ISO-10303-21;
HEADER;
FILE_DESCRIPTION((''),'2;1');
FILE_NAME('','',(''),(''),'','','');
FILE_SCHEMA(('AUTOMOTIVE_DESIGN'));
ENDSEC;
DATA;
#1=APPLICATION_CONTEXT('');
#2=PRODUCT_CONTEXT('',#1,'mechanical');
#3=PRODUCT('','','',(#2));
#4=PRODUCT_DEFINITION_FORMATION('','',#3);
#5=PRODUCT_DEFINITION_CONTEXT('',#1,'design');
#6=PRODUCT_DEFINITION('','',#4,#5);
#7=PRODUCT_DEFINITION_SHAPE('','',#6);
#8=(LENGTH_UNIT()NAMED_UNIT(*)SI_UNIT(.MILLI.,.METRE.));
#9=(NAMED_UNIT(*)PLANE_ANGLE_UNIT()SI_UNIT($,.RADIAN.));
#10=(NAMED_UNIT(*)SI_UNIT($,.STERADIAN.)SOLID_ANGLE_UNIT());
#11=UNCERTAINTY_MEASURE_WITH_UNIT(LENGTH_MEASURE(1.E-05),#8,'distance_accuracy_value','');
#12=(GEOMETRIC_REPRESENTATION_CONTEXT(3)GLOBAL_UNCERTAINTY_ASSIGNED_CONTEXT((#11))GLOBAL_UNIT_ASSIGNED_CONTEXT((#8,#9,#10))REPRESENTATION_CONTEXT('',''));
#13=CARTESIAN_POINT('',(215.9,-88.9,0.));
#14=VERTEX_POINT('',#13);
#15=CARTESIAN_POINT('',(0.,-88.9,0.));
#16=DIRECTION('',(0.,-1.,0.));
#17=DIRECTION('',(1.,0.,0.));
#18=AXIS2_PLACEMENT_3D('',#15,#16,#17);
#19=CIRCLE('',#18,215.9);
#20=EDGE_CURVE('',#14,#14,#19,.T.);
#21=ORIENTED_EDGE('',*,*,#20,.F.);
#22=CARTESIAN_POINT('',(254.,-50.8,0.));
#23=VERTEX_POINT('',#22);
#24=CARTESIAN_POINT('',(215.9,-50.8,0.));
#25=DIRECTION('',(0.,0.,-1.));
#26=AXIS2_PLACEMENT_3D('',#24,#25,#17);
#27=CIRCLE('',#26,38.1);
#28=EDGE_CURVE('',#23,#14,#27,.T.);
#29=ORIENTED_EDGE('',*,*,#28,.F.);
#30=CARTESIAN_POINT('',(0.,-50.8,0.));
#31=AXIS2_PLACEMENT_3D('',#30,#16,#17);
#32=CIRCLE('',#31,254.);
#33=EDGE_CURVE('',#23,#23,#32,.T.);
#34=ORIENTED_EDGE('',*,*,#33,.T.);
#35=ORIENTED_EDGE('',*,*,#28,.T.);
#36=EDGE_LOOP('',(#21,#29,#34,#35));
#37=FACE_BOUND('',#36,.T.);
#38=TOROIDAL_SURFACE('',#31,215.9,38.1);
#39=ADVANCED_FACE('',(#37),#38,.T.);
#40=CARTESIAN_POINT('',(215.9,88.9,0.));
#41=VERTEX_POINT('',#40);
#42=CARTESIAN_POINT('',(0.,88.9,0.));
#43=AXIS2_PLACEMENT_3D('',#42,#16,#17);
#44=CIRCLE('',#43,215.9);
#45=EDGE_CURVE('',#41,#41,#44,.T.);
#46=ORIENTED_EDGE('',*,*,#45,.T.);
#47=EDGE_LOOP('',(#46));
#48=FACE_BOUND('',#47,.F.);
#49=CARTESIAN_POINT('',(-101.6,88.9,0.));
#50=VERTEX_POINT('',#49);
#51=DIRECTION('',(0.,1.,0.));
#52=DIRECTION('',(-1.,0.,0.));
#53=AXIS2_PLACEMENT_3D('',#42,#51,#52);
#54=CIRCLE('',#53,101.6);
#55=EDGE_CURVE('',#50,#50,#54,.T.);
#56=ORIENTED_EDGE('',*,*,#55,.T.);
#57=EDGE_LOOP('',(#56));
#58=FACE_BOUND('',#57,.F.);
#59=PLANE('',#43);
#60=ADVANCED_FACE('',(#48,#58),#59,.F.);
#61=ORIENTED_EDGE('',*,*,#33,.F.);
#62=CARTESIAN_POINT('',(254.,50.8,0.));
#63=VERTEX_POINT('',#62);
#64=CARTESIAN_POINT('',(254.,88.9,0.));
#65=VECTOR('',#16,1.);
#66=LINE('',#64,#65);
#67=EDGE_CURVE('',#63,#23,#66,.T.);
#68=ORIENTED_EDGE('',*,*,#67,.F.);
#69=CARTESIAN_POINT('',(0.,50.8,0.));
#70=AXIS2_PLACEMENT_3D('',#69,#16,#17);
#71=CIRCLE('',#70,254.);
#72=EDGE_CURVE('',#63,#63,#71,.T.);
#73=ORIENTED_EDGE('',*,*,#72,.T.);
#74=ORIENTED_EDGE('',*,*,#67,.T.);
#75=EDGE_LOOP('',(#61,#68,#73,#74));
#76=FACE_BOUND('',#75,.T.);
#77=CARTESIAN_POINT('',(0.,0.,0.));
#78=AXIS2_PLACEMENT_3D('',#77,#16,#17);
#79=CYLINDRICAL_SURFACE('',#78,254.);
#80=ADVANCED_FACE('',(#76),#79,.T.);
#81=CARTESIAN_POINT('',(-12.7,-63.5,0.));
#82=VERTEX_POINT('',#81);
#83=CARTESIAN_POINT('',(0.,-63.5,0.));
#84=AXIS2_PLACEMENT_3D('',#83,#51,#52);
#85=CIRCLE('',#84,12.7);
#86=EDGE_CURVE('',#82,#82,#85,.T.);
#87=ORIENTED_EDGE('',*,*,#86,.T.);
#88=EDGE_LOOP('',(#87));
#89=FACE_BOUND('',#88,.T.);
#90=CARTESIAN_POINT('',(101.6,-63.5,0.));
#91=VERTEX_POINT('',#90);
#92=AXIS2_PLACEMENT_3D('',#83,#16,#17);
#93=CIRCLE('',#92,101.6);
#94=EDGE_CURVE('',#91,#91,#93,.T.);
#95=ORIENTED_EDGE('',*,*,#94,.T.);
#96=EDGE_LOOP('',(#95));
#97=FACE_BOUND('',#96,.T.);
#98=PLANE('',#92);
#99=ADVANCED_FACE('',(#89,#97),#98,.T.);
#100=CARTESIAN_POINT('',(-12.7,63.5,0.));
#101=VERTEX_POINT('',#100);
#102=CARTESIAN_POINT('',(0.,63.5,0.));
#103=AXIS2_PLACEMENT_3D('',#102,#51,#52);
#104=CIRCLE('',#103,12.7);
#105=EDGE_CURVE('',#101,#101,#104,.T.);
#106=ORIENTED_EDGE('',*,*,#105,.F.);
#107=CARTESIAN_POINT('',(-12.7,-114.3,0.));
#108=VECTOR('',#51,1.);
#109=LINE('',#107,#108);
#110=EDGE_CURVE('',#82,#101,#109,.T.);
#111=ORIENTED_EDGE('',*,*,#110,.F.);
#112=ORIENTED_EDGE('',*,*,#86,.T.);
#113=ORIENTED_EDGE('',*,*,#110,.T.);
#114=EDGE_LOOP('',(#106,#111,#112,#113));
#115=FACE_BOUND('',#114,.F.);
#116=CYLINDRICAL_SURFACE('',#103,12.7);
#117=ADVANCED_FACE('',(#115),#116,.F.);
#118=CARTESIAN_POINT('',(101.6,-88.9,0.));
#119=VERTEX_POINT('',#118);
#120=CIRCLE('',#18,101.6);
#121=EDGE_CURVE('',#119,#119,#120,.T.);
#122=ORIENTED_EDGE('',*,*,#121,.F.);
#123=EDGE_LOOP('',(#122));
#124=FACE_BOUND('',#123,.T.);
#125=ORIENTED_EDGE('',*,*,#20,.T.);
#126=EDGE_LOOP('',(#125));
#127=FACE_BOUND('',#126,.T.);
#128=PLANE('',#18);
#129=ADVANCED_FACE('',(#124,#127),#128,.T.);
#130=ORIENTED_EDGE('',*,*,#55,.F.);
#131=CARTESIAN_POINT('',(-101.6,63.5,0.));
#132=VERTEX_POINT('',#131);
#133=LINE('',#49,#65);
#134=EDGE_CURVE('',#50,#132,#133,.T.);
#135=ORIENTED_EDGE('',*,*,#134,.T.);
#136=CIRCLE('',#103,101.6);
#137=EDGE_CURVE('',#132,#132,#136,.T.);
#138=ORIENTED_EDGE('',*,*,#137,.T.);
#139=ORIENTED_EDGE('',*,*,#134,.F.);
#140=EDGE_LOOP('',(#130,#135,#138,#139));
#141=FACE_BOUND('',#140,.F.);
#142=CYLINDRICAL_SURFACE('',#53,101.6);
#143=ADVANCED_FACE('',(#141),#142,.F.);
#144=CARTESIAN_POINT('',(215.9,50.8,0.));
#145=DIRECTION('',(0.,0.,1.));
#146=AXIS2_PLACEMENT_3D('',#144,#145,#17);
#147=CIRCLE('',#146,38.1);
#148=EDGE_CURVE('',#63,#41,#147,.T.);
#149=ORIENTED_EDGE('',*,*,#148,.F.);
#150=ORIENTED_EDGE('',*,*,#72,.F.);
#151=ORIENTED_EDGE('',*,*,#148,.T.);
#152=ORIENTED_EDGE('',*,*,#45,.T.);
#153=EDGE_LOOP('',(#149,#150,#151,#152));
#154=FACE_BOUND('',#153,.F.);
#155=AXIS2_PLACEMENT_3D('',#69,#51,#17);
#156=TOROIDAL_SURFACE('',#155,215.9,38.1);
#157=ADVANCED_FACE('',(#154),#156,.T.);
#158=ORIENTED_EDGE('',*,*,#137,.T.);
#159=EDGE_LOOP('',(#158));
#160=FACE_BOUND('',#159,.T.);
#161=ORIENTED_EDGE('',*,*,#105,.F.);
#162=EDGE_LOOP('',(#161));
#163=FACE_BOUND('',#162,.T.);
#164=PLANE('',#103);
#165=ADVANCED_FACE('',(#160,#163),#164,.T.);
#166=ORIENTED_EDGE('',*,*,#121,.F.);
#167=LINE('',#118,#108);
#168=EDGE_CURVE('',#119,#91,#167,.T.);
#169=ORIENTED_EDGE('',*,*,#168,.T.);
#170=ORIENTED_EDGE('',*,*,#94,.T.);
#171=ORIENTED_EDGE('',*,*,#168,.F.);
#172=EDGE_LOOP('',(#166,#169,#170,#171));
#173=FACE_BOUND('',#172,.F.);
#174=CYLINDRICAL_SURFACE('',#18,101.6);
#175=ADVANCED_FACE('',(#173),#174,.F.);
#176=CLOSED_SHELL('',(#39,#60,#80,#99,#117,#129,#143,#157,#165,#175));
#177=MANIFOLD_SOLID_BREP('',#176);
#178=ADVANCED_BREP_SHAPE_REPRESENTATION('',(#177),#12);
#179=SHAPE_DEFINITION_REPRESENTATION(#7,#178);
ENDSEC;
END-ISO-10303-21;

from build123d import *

# Parameters (mm, degrees)
F0_R     = 254
F1_DEPTH = 88.9
F2_R     = 101.6
F3_DEPTH = 25.4
F4_R     = 101.6
F5_DEPTH = 25.4
F6_R     = 38.1
F7_R     = 12.7
F8_DEPTH = 177.8


with BuildPart() as f1:
    # F0 (on Front) → F1 (new body, symmetric)
    with BuildSketch(Plane.XZ):
        Circle(F0_R)
    extrude(amount=F1_DEPTH, both=True)

    # F2 (on face) → F3 (cut)
    with BuildSketch(Plane.XZ.offset(88.9)):
        Circle(F2_R)
    extrude(amount=-F3_DEPTH, mode=Mode.SUBTRACT)

    # F4 (on face) → F5 (cut)
    with BuildSketch(Plane(origin=(0, 88.9, 0), x_dir=(-1, 0, 0), z_dir=(0, 1, 0))):
        Circle(F4_R)
    extrude(amount=-F5_DEPTH, mode=Mode.SUBTRACT)

    # F6
    f6_edges = [f1.edges().sort_by_distance(p)[0] for p in [
        (-254, 88.9, 0),
        (-254, -88.9, 0),
    ]]
    fillet(f6_edges, radius=F6_R)

    # F7 (on face) → F8 (cut, symmetric)
    with BuildSketch(Plane(origin=(0, 63.5, 0), x_dir=(-1, 0, 0), z_dir=(0, 1, 0))):
        Circle(F7_R)
    extrude(amount=F8_DEPTH, both=True, mode=Mode.SUBTRACT)


solid = f1.part
